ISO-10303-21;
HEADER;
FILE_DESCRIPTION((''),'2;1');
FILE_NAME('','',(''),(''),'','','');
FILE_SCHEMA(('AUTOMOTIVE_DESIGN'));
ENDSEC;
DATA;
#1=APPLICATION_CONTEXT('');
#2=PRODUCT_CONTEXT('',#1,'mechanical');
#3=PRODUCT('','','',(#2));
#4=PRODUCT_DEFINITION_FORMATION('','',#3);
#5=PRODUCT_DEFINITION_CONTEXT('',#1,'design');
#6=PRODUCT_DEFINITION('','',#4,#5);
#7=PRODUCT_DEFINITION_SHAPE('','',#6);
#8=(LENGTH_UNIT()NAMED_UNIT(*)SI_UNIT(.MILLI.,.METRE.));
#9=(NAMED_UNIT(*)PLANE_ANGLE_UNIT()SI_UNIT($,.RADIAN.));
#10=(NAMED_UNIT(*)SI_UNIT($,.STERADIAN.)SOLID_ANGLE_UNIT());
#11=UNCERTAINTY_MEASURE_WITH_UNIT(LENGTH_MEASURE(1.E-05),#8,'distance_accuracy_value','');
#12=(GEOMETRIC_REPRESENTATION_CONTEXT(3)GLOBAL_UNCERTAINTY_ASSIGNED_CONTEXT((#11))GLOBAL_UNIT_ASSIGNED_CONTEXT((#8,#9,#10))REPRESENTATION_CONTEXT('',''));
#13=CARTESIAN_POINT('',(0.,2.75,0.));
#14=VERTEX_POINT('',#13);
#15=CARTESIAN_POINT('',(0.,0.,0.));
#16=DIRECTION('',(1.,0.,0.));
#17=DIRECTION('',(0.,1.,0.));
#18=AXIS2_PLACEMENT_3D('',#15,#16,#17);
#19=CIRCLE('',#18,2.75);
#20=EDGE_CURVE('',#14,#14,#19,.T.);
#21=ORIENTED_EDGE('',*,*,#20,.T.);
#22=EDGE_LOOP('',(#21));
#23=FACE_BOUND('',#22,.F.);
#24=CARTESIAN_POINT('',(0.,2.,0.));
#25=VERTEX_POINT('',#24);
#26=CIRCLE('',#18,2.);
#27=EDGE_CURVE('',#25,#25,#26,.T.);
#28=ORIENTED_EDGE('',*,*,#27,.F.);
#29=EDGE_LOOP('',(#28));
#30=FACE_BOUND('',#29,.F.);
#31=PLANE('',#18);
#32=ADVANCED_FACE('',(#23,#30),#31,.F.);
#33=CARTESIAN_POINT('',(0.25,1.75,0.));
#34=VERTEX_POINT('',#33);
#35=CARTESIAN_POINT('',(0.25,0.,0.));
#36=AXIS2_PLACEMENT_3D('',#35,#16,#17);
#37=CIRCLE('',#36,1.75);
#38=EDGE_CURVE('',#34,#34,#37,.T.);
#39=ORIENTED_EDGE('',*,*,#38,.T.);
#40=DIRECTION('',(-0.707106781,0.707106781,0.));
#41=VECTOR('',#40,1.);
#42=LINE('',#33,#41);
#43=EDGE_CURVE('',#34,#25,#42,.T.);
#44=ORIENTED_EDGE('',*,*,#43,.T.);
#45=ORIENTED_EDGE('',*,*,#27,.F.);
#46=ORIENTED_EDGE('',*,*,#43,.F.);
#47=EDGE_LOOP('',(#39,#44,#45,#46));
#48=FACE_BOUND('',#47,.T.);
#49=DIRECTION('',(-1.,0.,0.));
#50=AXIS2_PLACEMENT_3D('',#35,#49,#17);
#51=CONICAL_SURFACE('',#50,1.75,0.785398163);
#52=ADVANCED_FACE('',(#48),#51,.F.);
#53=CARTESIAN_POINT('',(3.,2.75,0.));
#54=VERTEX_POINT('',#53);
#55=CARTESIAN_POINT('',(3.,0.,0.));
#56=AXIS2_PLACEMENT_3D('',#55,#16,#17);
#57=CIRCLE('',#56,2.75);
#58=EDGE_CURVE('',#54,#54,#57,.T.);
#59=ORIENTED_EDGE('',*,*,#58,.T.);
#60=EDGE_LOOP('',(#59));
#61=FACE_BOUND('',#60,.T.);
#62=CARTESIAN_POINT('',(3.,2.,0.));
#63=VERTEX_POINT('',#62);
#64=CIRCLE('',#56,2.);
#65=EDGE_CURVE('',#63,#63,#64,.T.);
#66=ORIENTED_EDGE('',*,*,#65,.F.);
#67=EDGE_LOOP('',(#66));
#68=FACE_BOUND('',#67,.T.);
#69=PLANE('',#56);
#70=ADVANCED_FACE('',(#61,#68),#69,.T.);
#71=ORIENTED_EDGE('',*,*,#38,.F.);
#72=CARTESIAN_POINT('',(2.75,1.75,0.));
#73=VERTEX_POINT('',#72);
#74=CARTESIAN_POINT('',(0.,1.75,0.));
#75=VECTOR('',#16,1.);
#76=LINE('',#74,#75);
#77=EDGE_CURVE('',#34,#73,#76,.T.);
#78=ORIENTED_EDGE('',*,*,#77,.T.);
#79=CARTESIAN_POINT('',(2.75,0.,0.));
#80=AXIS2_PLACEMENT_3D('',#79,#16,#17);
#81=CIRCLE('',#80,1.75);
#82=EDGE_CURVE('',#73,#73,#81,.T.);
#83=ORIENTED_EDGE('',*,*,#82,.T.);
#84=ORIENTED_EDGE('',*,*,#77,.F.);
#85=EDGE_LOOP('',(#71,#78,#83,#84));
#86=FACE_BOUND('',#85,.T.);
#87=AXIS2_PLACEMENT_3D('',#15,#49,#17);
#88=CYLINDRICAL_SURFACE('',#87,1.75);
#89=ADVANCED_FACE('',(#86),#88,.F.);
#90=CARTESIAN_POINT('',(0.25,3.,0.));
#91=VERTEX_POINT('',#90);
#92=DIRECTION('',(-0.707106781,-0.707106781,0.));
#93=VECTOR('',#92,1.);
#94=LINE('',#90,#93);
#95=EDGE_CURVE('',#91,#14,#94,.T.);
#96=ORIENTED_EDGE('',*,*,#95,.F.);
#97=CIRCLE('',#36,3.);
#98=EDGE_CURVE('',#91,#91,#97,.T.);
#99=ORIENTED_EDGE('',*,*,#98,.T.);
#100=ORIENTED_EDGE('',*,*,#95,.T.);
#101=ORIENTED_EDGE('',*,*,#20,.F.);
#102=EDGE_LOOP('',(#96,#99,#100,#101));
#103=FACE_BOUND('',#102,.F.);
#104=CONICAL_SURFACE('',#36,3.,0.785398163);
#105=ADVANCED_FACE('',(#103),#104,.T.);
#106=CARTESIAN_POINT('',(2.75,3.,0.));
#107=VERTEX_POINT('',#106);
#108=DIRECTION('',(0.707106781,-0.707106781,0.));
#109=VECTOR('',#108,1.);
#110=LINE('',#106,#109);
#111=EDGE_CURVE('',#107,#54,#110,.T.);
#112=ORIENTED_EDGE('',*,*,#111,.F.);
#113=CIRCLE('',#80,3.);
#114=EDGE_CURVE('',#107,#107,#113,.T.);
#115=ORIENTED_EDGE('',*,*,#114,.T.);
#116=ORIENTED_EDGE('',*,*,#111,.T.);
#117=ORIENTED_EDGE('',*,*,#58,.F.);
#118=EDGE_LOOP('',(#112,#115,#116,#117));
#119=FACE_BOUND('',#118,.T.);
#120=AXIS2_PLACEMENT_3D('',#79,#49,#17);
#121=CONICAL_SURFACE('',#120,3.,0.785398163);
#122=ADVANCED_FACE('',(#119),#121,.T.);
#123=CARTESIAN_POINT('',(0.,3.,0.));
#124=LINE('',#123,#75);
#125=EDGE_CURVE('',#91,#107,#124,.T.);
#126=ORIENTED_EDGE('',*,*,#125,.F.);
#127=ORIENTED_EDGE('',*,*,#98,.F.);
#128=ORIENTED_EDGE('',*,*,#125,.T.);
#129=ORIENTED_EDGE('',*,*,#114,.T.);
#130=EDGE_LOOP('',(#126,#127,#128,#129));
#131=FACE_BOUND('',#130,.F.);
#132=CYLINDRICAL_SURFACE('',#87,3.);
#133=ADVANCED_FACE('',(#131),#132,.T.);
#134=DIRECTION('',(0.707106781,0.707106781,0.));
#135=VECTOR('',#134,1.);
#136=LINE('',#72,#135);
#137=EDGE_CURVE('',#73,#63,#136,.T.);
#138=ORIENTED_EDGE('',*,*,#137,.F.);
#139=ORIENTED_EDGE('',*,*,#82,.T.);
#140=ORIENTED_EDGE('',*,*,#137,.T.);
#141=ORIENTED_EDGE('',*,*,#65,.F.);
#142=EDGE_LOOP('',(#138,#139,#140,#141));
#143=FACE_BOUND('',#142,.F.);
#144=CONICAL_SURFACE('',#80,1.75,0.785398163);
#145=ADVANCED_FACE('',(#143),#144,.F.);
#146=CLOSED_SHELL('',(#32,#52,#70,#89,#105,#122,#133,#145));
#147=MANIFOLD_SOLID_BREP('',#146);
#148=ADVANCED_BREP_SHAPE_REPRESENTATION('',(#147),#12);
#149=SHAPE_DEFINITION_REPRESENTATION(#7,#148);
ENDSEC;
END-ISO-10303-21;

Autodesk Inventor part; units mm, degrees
ref_plane "YZ Plane" through (0, 0, 0) normal (1, 0, 0) x (0, 1, 0)
ref_plane "XZ Plane" through (0, 0, 0) normal (0, 1, 0) x (-1, 0, 0)
ref_plane "XY Plane" through (0, 0, 0) normal (0, 0, 1) x (1, 0, 0)
sketch "Sketch1" plane through (0, 0, 0) normal (1, 0, 0) x (0, 1, 0)
  circle A0 centre (0, 0) radius 3
  circle A1 centre (0, 0) radius 1.75
  dimension "d0" = 6
  dimension "d1" = 3.5
extrude "Extrusion1" add sketch "Sketch1" along normal blind 3
chamfer "Chamfer1" distance 0.25 angle 45 4 edges at (3, -3, 0) (0, -3, 0) (3, -1.75, 0) (0, -1.75, 0)
properties part number "Ø(6-3.5)x3"
